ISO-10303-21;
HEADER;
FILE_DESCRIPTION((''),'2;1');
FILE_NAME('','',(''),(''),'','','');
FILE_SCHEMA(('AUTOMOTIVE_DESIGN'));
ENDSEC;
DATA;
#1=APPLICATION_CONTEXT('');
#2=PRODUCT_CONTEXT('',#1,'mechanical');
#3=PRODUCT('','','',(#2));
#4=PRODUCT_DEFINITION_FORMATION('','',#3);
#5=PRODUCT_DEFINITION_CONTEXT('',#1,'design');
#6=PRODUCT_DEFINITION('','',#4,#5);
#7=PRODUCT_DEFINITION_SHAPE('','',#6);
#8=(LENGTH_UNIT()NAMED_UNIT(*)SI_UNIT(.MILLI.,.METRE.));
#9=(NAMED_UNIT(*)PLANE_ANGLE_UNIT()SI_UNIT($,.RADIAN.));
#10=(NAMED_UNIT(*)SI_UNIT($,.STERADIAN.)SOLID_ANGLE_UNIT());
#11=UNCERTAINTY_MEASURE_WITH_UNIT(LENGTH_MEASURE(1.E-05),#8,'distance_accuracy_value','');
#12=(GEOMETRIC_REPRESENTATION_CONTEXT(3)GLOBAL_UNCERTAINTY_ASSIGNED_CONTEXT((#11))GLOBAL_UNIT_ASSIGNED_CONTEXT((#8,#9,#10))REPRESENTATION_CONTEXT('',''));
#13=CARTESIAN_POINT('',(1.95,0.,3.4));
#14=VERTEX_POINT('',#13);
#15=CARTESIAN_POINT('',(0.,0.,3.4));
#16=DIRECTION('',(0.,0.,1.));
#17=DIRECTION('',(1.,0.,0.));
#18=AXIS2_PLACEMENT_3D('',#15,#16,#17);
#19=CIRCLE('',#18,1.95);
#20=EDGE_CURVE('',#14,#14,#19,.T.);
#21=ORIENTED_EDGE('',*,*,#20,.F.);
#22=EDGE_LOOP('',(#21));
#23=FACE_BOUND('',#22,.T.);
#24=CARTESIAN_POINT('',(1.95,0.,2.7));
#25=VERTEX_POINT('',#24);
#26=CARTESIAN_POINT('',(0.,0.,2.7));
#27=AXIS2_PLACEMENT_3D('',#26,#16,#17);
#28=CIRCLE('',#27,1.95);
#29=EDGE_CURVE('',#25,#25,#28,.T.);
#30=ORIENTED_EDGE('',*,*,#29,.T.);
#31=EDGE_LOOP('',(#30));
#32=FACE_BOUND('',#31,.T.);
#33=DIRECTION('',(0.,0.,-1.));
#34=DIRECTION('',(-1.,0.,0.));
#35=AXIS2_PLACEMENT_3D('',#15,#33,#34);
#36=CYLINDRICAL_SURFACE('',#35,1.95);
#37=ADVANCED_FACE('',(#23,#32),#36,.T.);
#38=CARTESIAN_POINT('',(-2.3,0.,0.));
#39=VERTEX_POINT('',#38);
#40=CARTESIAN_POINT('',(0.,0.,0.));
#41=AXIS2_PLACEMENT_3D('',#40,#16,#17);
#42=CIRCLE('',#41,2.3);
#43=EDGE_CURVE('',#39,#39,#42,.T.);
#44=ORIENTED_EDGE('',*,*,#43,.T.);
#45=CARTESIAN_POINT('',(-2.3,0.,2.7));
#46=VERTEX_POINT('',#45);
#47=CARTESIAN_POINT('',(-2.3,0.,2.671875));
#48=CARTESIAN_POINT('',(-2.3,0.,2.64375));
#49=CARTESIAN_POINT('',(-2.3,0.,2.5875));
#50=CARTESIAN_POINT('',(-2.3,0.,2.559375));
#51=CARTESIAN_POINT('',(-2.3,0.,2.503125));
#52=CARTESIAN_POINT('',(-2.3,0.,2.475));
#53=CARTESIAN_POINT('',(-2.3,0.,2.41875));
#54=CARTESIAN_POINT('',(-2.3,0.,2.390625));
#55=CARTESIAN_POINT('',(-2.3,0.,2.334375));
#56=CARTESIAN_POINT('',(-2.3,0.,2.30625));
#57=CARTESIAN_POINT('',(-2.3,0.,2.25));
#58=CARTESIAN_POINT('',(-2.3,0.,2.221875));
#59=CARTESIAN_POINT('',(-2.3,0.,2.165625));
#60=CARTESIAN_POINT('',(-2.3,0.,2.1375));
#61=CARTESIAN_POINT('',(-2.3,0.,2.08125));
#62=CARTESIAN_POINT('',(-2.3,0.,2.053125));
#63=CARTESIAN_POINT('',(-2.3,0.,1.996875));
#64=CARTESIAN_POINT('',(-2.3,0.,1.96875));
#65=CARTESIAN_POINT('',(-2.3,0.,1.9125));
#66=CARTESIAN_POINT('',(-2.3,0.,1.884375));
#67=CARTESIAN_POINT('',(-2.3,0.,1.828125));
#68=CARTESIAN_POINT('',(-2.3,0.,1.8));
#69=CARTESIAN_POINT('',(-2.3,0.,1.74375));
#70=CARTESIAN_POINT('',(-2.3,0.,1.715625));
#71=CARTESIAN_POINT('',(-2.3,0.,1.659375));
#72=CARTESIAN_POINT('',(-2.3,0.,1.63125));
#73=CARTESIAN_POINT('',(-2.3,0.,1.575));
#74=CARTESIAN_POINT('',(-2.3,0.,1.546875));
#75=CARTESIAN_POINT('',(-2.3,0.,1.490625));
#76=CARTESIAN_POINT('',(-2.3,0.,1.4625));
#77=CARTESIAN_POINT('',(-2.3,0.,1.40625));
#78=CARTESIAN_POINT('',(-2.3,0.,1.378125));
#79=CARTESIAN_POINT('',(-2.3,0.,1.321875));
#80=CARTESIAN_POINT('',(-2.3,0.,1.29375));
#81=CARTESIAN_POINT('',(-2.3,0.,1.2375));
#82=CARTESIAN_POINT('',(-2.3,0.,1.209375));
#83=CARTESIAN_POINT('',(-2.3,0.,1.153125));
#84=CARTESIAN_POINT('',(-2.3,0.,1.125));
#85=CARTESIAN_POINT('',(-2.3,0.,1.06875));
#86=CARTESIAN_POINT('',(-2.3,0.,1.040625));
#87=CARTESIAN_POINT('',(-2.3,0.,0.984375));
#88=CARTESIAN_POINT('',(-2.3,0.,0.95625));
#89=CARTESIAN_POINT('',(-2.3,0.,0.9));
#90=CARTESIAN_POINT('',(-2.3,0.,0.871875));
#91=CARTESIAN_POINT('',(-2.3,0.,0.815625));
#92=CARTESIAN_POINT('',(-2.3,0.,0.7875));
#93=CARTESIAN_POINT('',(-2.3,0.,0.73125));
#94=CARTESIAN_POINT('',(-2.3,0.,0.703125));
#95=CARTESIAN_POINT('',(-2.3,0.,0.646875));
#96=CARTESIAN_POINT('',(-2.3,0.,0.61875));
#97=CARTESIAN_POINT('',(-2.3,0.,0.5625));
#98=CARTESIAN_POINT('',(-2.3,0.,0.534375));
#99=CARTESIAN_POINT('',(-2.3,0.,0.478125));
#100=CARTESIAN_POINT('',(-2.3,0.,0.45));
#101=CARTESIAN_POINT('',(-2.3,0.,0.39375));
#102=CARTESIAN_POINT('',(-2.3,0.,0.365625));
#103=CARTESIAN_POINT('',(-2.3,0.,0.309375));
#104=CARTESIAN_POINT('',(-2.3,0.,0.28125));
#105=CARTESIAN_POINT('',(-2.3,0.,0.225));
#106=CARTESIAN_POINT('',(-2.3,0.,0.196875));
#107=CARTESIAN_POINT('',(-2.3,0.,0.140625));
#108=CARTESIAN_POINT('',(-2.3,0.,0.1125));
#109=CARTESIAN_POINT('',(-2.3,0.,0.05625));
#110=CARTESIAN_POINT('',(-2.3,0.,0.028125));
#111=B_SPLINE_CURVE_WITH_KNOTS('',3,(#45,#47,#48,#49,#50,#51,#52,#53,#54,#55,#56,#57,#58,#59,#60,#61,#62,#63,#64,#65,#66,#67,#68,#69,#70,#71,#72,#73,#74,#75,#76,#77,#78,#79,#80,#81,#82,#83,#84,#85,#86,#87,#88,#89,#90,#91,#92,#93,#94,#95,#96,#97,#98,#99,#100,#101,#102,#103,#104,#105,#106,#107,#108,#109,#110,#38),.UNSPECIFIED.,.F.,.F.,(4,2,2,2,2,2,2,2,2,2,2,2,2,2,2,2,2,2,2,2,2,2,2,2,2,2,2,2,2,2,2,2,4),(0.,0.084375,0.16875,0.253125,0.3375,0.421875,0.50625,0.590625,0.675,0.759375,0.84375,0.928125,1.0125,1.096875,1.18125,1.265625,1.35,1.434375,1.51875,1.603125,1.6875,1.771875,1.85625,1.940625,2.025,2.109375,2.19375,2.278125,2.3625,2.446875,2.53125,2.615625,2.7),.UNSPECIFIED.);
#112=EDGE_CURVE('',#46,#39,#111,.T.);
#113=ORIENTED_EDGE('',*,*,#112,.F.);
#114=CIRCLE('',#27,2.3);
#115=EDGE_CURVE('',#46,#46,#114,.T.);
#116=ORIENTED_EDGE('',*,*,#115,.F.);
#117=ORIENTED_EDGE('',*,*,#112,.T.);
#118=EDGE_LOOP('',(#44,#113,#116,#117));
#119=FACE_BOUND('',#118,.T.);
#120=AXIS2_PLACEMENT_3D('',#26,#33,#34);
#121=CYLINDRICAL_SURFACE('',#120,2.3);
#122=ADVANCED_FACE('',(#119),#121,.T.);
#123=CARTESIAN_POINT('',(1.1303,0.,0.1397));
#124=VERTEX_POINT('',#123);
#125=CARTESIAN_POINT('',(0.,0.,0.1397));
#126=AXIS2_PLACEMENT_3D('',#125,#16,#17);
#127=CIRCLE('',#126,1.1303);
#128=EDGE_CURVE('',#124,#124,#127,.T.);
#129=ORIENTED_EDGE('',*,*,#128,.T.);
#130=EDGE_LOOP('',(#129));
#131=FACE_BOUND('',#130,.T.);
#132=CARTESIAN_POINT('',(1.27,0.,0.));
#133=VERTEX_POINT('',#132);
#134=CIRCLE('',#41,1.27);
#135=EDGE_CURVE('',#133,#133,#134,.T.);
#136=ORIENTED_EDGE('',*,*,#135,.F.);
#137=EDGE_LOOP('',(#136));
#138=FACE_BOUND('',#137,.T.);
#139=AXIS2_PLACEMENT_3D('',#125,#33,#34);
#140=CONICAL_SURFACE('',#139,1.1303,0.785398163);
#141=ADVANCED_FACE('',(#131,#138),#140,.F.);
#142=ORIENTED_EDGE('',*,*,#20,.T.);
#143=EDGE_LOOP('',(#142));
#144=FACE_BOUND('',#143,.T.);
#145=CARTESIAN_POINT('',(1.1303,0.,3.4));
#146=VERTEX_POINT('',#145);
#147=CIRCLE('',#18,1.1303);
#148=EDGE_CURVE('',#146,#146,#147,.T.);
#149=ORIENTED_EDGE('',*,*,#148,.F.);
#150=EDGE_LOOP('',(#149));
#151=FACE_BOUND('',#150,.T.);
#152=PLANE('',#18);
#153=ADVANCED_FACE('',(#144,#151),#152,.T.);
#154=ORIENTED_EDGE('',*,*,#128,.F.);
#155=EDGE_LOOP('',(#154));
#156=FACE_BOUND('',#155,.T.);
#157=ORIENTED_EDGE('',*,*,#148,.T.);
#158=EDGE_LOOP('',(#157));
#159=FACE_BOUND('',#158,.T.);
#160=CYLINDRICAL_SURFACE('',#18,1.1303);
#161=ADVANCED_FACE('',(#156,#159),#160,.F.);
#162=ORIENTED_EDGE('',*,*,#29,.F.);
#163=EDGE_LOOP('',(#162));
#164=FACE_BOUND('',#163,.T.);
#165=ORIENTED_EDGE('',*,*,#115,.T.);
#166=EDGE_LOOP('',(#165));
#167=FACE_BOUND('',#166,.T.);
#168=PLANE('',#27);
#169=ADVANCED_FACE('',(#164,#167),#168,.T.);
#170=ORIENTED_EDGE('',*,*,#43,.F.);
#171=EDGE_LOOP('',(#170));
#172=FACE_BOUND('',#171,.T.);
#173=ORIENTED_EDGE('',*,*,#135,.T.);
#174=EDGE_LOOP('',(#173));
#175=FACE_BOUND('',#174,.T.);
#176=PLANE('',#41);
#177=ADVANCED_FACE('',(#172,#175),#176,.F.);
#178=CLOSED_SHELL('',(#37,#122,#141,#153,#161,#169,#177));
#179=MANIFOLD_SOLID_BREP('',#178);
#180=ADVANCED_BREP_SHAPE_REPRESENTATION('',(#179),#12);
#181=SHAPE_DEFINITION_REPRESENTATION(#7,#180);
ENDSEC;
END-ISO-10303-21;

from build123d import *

# Parameters (mm, degrees)
ESQUISSE1_R      = 2.3
EXTRUSION1_DEPTH = 2.7
ESQUISSE2_R      = 1.95
EXTRUSION2_DEPTH = 0.7


with BuildPart() as part:
    # Esquisse1 → Extrusion1 (new body)
    with BuildSketch(Plane.XY):
        with Locations(Location((0, 0, 0), (0, 0, 180))):
            Circle(ESQUISSE1_R)
    extrude(amount=EXTRUSION1_DEPTH)

    # Esquisse2 → Extrusion2 (add)
    with BuildSketch(Plane.XY.offset(2.7)):
        Circle(ESQUISSE2_R)
    extrude(amount=EXTRUSION2_DEPTH)

    # Esquisse4 → #4-40 Tapped Hole1 (revolve, cut)
    with BuildSketch(Plane(origin=(0, 0, 3.4), x_dir=(0, -1, 0), z_dir=(1, 0, 0))):
        Polygon((0, 0), (0, 3.4), (1.27, 3.4), (1.1303, 3.2603), (1.1303, 0), align=None)
    revolve(axis=Axis((0, 0, 9.75), (0, 0, -1)), mode=Mode.SUBTRACT)


solid = part.part
